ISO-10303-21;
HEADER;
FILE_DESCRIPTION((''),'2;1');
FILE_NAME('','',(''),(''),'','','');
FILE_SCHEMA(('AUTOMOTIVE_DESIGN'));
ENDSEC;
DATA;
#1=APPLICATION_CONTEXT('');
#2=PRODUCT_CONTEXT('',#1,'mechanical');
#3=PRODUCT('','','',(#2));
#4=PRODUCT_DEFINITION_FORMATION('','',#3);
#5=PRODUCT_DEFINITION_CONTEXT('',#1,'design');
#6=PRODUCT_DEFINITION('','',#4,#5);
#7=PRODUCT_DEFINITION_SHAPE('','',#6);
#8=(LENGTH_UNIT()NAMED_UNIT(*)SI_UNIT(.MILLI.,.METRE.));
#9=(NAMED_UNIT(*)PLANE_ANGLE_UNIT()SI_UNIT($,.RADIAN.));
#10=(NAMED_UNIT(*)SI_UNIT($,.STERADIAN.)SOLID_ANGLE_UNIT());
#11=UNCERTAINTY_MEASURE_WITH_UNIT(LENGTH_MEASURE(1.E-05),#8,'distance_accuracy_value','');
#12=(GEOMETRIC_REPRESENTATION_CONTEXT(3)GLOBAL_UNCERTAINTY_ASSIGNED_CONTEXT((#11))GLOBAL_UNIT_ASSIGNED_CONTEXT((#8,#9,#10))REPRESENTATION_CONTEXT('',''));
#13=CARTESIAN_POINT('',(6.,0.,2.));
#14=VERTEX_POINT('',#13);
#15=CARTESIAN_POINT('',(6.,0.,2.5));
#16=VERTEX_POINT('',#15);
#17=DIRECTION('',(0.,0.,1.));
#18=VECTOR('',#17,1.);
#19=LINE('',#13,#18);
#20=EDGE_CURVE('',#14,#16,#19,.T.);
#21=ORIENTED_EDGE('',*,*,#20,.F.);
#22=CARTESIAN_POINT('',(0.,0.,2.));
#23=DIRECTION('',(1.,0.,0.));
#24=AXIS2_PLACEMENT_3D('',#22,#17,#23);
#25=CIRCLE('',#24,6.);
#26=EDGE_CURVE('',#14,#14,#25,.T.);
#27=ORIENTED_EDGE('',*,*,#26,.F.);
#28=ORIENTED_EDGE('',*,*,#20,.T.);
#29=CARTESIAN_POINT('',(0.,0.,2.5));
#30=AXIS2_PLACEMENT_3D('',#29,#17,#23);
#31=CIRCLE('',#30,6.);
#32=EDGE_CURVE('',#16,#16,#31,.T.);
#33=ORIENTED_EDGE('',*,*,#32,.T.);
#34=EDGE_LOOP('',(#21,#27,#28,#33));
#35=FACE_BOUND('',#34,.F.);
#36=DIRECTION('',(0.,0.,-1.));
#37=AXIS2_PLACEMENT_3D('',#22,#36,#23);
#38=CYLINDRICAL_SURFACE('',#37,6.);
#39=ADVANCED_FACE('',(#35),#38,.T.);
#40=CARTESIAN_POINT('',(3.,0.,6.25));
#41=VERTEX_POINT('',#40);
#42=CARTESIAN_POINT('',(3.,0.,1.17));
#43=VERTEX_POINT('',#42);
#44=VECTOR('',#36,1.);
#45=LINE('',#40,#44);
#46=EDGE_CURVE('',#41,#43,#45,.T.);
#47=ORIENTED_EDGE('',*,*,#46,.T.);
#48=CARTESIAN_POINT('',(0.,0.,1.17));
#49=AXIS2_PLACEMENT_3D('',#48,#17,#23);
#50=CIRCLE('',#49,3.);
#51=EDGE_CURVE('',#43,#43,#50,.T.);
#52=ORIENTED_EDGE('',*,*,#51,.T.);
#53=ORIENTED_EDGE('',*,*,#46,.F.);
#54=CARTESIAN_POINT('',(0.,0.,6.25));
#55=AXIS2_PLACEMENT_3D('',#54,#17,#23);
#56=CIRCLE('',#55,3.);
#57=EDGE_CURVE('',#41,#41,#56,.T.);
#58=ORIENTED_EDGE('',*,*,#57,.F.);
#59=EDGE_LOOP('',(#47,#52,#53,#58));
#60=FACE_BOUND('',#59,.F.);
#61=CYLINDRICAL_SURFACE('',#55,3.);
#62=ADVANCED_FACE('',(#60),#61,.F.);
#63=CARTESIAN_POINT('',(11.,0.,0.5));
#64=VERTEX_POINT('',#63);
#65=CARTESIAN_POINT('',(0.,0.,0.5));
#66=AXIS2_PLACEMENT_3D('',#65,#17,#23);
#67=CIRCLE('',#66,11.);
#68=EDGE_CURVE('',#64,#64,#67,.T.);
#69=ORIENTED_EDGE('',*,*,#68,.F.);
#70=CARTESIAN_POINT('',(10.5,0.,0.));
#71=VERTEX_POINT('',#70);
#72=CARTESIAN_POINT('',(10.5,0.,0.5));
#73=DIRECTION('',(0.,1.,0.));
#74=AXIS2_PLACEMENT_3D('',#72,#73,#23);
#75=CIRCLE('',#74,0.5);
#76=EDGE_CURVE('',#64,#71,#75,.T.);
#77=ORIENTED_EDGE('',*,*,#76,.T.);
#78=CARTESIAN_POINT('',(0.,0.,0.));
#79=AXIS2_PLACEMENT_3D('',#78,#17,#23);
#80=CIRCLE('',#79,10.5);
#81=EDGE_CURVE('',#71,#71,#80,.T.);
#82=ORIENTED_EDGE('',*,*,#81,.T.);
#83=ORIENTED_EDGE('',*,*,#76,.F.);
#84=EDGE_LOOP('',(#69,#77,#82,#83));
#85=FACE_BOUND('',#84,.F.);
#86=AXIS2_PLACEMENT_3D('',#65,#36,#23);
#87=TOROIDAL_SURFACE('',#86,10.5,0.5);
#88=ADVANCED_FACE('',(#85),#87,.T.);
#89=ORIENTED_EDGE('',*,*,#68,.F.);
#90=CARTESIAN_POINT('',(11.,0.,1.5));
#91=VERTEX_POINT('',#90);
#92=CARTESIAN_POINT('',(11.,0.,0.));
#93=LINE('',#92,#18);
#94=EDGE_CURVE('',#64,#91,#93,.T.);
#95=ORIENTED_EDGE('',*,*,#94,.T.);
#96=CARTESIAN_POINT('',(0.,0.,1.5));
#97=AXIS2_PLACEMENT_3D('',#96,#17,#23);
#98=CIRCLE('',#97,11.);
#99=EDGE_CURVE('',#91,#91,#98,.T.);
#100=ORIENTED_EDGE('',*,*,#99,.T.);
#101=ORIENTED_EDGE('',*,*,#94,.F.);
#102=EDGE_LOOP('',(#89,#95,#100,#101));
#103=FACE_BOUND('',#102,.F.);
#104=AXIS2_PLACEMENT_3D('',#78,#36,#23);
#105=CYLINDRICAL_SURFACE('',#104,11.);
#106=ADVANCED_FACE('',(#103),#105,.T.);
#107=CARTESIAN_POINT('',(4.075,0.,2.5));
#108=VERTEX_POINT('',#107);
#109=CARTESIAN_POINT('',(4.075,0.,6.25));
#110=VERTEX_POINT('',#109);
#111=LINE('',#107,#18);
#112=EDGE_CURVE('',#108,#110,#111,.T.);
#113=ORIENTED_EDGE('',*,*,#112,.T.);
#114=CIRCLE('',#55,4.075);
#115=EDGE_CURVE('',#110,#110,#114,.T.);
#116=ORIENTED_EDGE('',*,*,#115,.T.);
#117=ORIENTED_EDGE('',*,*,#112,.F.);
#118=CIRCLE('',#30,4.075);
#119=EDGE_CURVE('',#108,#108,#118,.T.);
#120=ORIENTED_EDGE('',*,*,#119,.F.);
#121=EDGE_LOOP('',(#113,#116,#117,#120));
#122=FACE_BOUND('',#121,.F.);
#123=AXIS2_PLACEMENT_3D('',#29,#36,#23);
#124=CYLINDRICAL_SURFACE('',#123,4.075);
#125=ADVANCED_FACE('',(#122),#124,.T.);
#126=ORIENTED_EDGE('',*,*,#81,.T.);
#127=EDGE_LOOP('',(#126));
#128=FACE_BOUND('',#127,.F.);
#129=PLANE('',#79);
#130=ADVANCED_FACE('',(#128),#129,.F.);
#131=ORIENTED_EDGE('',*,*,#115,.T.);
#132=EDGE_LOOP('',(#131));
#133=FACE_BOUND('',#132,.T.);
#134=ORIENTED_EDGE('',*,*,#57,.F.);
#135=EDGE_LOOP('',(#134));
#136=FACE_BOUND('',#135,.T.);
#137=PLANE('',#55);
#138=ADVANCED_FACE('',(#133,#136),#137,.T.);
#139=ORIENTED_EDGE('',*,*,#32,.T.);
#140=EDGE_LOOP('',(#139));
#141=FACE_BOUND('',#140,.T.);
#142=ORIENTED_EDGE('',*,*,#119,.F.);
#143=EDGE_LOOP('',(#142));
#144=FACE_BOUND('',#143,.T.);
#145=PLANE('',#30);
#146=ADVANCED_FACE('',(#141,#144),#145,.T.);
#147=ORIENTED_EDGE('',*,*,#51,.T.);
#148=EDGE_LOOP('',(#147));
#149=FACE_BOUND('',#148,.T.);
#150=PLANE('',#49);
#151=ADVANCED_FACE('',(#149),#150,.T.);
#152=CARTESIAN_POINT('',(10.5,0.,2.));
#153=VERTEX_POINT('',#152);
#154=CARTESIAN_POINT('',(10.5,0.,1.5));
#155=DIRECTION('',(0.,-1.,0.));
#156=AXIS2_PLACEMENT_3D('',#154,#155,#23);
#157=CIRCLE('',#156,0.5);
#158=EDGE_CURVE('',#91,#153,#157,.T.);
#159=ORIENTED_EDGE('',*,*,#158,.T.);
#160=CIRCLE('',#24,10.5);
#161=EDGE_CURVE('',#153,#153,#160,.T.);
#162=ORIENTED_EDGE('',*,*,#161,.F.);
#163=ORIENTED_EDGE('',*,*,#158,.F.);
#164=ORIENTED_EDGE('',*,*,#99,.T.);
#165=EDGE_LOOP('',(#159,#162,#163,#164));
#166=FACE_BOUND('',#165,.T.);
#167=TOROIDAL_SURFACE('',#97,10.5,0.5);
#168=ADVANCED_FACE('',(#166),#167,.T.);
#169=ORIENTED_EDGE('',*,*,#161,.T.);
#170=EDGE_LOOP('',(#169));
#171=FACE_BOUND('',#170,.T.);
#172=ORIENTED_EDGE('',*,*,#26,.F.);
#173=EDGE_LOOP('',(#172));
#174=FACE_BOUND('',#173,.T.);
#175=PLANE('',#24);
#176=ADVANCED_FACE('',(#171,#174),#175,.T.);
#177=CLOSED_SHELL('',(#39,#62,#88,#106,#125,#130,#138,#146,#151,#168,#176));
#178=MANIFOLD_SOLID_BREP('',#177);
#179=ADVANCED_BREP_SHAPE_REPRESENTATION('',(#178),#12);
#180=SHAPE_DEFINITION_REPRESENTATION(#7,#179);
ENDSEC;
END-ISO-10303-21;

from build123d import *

# Parameters (mm, degrees)
F0_R     = 11
F1_DEPTH = 2
F2_R     = 6
F3_DEPTH = 0.5
F4_R     = 4.075
F5_DEPTH = 3.75
F6_R     = 3
F7_DEPTH = 5.08
F8_R     = 0.5


with BuildPart() as f1:
    # F0 (on Top) → F1 (new body)
    with BuildSketch(Plane.XY):
        Circle(F0_R)
    extrude(amount=F1_DEPTH)

    # F2 (on face) → F3 (join)
    with BuildSketch(Plane.XY.offset(2)):
        Circle(F2_R)
    extrude(amount=F3_DEPTH)

    # F4 (on face) → F5 (join)
    with BuildSketch(Plane.XY.offset(2.5)):
        Circle(F4_R)
    extrude(amount=F5_DEPTH)

    # F6 (on face) → F7 (cut)
    with BuildSketch(Plane.XY.offset(6.25)):
        Circle(F6_R)
    extrude(amount=-F7_DEPTH, mode=Mode.SUBTRACT)

    # F8
    f8_edges = [f1.edges().sort_by_distance(p)[0] for p in [
        (-11, 0, 2),
        (-11, 0, 0),
    ]]
    fillet(f8_edges, radius=F8_R)


solid = f1.part
